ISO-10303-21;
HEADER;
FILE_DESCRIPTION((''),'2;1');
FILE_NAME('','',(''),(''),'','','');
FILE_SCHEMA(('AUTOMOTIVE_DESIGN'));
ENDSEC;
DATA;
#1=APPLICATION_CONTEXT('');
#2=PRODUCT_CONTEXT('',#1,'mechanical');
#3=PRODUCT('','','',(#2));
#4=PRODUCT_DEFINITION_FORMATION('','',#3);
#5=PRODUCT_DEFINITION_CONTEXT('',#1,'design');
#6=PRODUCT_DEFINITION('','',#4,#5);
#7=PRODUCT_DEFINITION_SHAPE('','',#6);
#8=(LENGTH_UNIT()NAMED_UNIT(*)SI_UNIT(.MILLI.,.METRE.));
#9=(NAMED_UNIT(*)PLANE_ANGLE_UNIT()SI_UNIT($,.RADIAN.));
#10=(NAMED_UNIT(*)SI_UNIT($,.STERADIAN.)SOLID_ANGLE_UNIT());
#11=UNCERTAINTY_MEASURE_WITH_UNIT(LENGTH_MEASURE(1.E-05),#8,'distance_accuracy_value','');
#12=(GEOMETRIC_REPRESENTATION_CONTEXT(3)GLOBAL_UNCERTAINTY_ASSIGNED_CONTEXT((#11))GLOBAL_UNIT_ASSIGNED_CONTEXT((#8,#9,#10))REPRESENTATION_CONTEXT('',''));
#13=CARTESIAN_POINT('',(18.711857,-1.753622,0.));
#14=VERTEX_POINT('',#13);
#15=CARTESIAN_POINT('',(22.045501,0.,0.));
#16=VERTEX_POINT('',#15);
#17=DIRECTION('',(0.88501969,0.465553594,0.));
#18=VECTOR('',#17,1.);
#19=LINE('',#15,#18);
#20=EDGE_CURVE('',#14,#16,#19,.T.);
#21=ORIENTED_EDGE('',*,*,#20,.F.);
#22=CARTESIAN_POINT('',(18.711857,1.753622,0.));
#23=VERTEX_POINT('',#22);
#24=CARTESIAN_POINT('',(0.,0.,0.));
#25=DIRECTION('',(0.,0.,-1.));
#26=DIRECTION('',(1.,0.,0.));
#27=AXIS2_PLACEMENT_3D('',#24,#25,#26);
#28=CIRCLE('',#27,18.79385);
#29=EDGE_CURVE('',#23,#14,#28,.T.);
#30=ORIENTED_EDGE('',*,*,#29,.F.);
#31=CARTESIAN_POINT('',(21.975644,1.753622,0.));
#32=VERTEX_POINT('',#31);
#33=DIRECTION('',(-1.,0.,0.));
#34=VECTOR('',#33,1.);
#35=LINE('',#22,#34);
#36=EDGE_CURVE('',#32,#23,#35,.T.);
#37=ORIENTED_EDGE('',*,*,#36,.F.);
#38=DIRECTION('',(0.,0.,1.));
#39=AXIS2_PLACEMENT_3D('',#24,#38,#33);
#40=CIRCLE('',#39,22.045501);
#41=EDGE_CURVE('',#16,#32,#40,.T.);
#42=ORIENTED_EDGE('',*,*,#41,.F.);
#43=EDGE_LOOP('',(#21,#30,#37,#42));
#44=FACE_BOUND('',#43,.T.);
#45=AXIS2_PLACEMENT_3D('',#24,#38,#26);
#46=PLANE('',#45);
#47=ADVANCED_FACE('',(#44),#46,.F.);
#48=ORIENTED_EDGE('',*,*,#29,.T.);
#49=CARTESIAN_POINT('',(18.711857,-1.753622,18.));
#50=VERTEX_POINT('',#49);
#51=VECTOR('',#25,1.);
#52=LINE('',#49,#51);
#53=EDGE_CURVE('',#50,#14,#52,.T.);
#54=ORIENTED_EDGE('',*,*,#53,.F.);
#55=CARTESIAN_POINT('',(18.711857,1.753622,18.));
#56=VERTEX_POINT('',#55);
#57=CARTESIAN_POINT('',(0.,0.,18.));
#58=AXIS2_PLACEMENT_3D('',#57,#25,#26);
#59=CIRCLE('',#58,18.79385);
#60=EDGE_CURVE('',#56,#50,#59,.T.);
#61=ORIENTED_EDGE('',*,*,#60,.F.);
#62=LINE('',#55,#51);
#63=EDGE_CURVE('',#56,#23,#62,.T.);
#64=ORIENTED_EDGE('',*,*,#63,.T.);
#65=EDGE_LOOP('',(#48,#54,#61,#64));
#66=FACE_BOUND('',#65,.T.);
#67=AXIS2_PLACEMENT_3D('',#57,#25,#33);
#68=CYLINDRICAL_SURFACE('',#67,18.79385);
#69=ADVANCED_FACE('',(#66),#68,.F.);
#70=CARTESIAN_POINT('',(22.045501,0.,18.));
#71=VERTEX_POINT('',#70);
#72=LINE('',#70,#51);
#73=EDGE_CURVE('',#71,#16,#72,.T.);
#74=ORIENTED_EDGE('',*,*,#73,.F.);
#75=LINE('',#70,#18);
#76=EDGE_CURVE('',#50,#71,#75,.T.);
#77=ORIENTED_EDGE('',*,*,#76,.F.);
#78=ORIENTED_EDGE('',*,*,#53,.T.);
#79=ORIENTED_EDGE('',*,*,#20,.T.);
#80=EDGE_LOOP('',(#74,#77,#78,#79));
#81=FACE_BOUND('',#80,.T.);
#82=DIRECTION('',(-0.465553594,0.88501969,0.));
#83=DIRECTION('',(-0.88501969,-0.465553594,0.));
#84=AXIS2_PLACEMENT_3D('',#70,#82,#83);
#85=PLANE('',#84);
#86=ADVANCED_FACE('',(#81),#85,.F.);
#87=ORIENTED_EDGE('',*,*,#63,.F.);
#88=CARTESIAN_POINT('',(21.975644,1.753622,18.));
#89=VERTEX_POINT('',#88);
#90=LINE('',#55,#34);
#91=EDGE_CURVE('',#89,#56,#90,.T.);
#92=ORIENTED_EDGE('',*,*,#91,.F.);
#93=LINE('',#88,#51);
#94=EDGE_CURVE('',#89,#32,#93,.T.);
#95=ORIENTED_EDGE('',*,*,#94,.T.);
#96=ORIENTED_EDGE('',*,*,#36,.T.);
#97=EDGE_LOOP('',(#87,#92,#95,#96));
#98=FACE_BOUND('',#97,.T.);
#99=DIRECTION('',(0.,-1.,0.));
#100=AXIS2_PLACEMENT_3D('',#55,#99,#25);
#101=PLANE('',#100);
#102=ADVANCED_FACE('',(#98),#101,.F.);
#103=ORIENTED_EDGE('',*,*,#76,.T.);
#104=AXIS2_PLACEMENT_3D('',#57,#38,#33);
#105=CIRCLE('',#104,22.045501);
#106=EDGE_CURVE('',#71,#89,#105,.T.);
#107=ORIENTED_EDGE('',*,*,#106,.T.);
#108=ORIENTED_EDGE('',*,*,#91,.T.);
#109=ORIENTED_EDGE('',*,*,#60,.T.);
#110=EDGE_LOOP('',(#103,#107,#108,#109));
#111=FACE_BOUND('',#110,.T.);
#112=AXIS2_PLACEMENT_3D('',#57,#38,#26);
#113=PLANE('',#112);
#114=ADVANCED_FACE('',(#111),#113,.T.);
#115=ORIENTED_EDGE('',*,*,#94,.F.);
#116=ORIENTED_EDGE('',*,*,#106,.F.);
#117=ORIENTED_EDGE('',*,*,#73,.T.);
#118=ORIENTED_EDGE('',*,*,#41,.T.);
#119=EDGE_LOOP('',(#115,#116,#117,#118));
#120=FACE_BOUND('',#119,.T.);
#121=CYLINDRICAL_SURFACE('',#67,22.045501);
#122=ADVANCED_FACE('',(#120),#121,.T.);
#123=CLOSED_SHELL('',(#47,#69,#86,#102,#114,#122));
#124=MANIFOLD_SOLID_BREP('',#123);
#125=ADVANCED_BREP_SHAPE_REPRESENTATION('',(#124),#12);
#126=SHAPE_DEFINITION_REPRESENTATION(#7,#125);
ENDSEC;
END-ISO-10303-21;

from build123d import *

# Parameters (mm, degrees)
EXTRUDE_1_DEPTH = 18


with BuildPart() as part:
    # 草图1 → 凸台-拉伸1 (new body)
    with BuildSketch(Plane.XY):
        with BuildLine():
            Line((18.711857444, 1.753621629), (21.975643768, 1.753621629))
            ThreePointArc((21.975643768, 1.753621629), (22.028029659, 0.877506244), (22.045500853, 0))
            Line((22.045500853, 0), (18.711857444, -1.753621629))
            ThreePointArc((18.711857444, -1.753621629), (18.79385, 0), (18.711857444, 1.753621629))
        make_face()
    extrude(amount=EXTRUDE_1_DEPTH)


solid = part.part
